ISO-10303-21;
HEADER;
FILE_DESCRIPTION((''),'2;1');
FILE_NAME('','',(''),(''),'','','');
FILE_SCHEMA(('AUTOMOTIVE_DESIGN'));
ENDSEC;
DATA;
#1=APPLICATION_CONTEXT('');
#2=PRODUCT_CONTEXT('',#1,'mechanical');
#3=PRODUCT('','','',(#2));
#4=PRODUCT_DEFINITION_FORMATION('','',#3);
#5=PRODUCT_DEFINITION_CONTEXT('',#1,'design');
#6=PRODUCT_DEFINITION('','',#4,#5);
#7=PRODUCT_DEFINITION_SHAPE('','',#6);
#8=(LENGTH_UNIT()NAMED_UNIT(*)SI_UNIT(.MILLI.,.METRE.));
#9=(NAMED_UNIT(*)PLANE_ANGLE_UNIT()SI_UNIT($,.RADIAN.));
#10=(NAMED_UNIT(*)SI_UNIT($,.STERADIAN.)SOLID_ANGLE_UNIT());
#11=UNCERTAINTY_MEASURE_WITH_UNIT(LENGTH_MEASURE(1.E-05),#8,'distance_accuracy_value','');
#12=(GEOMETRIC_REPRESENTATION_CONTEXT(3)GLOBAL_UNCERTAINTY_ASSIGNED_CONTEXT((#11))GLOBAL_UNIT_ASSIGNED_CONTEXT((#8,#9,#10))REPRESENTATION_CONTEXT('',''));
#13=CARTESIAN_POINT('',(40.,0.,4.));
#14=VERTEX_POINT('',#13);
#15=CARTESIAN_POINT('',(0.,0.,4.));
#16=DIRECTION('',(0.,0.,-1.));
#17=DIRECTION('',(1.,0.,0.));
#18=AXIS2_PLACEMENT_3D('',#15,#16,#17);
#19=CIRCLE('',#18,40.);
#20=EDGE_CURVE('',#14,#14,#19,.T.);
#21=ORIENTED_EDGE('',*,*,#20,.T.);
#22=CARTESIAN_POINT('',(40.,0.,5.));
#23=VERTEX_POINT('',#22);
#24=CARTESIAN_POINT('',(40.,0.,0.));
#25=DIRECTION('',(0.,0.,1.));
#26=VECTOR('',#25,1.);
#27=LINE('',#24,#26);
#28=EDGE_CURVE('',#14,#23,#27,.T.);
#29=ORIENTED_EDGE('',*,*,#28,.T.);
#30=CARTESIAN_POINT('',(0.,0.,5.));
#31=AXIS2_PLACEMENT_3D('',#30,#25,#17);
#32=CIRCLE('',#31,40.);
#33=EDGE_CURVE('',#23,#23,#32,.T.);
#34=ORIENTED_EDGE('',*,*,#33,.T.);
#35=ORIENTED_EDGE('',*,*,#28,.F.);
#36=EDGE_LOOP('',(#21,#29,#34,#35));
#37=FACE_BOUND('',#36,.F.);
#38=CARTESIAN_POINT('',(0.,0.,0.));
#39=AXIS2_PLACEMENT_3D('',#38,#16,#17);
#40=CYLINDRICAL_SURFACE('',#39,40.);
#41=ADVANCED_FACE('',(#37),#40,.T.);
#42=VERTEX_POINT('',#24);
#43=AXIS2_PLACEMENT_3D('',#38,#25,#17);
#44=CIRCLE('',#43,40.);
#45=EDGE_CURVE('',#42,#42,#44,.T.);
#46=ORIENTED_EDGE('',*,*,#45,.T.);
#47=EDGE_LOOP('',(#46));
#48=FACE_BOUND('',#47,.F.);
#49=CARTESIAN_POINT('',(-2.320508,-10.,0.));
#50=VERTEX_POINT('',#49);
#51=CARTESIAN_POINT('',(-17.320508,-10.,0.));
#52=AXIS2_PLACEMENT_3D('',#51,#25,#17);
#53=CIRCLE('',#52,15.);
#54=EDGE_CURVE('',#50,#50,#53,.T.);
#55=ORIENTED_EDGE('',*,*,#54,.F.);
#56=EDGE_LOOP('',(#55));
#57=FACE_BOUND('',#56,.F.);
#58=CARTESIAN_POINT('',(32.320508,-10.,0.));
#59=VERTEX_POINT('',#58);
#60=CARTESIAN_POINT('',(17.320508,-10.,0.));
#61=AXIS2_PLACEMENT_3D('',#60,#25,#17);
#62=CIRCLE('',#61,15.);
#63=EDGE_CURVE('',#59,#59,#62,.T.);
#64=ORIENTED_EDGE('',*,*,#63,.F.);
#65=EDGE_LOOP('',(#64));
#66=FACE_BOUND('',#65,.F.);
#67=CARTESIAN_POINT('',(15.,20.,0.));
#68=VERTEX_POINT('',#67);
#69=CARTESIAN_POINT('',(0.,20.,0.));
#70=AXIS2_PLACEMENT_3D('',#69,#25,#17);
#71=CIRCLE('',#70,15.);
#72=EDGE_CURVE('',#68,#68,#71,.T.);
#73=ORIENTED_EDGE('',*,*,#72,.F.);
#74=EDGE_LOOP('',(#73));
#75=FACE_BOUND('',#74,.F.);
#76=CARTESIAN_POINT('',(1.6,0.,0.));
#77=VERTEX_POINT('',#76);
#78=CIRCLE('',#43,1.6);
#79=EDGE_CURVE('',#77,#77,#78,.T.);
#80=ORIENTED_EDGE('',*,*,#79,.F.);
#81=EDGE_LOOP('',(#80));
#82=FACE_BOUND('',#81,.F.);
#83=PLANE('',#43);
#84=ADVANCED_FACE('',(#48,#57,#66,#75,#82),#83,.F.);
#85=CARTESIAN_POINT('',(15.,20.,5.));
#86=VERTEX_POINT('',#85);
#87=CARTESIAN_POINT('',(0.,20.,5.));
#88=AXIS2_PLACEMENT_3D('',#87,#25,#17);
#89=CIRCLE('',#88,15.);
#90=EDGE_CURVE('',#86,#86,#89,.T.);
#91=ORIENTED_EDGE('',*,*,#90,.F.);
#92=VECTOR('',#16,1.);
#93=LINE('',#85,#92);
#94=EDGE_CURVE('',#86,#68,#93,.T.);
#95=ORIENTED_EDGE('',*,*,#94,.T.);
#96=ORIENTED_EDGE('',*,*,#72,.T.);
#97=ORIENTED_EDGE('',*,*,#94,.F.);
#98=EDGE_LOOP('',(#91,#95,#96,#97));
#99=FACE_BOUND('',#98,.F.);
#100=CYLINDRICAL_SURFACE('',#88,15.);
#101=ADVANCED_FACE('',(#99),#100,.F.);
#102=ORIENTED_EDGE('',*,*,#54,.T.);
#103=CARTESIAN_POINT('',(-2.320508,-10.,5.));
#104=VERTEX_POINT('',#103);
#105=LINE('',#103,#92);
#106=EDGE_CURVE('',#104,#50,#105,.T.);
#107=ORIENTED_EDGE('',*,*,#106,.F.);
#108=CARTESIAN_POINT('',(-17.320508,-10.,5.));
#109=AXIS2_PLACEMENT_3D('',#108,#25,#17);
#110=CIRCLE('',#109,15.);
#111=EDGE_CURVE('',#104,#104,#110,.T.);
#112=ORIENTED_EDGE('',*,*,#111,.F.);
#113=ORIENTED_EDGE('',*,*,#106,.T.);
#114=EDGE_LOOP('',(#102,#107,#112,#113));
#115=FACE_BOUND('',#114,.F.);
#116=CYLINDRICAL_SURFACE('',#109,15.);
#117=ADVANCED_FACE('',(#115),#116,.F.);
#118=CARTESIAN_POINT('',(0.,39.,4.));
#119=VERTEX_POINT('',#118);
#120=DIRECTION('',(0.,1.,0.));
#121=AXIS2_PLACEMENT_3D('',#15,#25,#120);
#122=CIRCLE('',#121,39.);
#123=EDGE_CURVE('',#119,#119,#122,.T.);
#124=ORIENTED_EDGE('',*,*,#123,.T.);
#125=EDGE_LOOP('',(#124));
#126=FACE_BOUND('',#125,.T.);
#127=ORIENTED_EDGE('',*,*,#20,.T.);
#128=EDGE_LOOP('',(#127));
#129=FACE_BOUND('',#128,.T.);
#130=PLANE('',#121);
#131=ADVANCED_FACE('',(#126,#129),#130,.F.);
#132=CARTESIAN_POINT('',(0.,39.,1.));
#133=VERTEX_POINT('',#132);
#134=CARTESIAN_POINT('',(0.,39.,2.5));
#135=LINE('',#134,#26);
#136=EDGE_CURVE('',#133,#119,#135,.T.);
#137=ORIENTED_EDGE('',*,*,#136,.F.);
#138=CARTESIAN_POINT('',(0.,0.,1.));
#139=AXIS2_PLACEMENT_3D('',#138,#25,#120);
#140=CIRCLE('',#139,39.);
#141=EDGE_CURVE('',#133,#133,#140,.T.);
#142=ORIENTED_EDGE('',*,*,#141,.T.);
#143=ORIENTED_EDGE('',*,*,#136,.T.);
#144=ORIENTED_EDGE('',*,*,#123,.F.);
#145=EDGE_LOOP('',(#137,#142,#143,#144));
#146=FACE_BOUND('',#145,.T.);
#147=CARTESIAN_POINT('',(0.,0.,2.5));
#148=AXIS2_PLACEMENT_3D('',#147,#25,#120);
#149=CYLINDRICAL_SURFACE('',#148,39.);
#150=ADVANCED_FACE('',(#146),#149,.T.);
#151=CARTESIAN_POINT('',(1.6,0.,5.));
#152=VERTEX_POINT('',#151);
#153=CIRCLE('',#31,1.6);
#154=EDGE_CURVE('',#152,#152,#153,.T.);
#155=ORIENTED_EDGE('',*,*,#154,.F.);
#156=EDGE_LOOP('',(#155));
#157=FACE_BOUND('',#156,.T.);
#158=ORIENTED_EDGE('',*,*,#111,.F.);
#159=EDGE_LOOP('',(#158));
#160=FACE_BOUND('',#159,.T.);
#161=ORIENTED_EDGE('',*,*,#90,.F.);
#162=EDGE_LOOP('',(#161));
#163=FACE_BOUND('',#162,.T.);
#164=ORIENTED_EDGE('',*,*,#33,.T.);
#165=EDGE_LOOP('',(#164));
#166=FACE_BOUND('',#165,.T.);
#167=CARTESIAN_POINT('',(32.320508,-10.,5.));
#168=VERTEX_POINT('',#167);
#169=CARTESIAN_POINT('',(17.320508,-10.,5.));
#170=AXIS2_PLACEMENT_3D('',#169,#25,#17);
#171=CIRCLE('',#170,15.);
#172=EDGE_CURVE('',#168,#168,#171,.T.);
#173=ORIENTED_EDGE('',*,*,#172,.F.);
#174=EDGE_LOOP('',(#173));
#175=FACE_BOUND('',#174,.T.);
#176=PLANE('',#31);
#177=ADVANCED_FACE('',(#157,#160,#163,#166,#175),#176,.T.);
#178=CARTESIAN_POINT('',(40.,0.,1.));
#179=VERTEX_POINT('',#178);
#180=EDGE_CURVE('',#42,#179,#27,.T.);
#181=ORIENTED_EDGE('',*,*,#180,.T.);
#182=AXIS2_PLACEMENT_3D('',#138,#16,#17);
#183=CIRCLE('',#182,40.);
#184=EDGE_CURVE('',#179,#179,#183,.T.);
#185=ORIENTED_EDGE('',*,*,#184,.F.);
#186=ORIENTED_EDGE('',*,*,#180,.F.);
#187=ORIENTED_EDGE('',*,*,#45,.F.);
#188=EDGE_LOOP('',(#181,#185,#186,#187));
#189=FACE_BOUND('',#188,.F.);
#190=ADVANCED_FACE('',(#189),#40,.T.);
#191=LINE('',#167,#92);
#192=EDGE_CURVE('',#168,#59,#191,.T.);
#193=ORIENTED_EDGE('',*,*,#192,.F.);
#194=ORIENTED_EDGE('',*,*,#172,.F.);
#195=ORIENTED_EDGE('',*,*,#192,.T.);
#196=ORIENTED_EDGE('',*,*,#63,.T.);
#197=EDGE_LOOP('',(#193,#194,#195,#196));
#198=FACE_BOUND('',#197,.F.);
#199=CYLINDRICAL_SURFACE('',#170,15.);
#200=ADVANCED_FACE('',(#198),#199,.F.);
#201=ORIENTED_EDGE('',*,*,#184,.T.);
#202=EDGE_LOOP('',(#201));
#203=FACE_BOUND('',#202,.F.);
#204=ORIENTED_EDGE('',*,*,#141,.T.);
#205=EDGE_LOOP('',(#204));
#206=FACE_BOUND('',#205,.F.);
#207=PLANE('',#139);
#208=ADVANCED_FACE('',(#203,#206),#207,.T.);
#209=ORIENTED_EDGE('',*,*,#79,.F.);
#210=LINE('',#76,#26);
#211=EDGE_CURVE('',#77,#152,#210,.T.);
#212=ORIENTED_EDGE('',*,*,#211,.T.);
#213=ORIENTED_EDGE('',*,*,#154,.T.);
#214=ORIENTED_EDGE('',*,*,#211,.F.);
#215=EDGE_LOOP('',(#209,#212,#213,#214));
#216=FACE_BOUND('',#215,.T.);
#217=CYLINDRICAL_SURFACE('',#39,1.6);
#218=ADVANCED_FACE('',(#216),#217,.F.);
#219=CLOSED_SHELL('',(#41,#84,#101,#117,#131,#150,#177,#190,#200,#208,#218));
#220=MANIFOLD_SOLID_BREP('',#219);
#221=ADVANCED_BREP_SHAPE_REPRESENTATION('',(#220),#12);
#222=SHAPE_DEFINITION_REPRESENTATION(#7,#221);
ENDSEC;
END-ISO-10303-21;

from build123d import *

# Parameters (mm, degrees)
F0_R     = 40
F0_R_2   = 1.6
F1_DEPTH = 5
F2_W     = 1
F2_H     = 3
F4_R     = 15
F5_DEPTH = 25


with BuildPart() as f1:
    # F0 (on Top) → F1 (new body)
    with BuildSketch(Plane.XY):
        Circle(F0_R)
        Circle(F0_R_2, mode=Mode.SUBTRACT)
    extrude(amount=F1_DEPTH)

    # F2 (on Right) → F3 (revolve, cut)
    with BuildSketch(Plane.YZ):
        with Locations((39.5, 2.5)):
            Rectangle(F2_W, F2_H)
    revolve(axis=Axis((0, 0, 5), (0, 0, 1)), mode=Mode.SUBTRACT)

    # F4 (on face) → F5 (cut)
    with BuildSketch(Plane.XY.offset(5)):
        with Locations((0, 20)):
            Circle(F4_R)
        with Locations((-17.320508, -10)):
            Circle(F4_R)
        with Locations((17.320508, -10)):
            Circle(F4_R)
    extrude(amount=-F5_DEPTH, mode=Mode.SUBTRACT)


solid = f1.part
